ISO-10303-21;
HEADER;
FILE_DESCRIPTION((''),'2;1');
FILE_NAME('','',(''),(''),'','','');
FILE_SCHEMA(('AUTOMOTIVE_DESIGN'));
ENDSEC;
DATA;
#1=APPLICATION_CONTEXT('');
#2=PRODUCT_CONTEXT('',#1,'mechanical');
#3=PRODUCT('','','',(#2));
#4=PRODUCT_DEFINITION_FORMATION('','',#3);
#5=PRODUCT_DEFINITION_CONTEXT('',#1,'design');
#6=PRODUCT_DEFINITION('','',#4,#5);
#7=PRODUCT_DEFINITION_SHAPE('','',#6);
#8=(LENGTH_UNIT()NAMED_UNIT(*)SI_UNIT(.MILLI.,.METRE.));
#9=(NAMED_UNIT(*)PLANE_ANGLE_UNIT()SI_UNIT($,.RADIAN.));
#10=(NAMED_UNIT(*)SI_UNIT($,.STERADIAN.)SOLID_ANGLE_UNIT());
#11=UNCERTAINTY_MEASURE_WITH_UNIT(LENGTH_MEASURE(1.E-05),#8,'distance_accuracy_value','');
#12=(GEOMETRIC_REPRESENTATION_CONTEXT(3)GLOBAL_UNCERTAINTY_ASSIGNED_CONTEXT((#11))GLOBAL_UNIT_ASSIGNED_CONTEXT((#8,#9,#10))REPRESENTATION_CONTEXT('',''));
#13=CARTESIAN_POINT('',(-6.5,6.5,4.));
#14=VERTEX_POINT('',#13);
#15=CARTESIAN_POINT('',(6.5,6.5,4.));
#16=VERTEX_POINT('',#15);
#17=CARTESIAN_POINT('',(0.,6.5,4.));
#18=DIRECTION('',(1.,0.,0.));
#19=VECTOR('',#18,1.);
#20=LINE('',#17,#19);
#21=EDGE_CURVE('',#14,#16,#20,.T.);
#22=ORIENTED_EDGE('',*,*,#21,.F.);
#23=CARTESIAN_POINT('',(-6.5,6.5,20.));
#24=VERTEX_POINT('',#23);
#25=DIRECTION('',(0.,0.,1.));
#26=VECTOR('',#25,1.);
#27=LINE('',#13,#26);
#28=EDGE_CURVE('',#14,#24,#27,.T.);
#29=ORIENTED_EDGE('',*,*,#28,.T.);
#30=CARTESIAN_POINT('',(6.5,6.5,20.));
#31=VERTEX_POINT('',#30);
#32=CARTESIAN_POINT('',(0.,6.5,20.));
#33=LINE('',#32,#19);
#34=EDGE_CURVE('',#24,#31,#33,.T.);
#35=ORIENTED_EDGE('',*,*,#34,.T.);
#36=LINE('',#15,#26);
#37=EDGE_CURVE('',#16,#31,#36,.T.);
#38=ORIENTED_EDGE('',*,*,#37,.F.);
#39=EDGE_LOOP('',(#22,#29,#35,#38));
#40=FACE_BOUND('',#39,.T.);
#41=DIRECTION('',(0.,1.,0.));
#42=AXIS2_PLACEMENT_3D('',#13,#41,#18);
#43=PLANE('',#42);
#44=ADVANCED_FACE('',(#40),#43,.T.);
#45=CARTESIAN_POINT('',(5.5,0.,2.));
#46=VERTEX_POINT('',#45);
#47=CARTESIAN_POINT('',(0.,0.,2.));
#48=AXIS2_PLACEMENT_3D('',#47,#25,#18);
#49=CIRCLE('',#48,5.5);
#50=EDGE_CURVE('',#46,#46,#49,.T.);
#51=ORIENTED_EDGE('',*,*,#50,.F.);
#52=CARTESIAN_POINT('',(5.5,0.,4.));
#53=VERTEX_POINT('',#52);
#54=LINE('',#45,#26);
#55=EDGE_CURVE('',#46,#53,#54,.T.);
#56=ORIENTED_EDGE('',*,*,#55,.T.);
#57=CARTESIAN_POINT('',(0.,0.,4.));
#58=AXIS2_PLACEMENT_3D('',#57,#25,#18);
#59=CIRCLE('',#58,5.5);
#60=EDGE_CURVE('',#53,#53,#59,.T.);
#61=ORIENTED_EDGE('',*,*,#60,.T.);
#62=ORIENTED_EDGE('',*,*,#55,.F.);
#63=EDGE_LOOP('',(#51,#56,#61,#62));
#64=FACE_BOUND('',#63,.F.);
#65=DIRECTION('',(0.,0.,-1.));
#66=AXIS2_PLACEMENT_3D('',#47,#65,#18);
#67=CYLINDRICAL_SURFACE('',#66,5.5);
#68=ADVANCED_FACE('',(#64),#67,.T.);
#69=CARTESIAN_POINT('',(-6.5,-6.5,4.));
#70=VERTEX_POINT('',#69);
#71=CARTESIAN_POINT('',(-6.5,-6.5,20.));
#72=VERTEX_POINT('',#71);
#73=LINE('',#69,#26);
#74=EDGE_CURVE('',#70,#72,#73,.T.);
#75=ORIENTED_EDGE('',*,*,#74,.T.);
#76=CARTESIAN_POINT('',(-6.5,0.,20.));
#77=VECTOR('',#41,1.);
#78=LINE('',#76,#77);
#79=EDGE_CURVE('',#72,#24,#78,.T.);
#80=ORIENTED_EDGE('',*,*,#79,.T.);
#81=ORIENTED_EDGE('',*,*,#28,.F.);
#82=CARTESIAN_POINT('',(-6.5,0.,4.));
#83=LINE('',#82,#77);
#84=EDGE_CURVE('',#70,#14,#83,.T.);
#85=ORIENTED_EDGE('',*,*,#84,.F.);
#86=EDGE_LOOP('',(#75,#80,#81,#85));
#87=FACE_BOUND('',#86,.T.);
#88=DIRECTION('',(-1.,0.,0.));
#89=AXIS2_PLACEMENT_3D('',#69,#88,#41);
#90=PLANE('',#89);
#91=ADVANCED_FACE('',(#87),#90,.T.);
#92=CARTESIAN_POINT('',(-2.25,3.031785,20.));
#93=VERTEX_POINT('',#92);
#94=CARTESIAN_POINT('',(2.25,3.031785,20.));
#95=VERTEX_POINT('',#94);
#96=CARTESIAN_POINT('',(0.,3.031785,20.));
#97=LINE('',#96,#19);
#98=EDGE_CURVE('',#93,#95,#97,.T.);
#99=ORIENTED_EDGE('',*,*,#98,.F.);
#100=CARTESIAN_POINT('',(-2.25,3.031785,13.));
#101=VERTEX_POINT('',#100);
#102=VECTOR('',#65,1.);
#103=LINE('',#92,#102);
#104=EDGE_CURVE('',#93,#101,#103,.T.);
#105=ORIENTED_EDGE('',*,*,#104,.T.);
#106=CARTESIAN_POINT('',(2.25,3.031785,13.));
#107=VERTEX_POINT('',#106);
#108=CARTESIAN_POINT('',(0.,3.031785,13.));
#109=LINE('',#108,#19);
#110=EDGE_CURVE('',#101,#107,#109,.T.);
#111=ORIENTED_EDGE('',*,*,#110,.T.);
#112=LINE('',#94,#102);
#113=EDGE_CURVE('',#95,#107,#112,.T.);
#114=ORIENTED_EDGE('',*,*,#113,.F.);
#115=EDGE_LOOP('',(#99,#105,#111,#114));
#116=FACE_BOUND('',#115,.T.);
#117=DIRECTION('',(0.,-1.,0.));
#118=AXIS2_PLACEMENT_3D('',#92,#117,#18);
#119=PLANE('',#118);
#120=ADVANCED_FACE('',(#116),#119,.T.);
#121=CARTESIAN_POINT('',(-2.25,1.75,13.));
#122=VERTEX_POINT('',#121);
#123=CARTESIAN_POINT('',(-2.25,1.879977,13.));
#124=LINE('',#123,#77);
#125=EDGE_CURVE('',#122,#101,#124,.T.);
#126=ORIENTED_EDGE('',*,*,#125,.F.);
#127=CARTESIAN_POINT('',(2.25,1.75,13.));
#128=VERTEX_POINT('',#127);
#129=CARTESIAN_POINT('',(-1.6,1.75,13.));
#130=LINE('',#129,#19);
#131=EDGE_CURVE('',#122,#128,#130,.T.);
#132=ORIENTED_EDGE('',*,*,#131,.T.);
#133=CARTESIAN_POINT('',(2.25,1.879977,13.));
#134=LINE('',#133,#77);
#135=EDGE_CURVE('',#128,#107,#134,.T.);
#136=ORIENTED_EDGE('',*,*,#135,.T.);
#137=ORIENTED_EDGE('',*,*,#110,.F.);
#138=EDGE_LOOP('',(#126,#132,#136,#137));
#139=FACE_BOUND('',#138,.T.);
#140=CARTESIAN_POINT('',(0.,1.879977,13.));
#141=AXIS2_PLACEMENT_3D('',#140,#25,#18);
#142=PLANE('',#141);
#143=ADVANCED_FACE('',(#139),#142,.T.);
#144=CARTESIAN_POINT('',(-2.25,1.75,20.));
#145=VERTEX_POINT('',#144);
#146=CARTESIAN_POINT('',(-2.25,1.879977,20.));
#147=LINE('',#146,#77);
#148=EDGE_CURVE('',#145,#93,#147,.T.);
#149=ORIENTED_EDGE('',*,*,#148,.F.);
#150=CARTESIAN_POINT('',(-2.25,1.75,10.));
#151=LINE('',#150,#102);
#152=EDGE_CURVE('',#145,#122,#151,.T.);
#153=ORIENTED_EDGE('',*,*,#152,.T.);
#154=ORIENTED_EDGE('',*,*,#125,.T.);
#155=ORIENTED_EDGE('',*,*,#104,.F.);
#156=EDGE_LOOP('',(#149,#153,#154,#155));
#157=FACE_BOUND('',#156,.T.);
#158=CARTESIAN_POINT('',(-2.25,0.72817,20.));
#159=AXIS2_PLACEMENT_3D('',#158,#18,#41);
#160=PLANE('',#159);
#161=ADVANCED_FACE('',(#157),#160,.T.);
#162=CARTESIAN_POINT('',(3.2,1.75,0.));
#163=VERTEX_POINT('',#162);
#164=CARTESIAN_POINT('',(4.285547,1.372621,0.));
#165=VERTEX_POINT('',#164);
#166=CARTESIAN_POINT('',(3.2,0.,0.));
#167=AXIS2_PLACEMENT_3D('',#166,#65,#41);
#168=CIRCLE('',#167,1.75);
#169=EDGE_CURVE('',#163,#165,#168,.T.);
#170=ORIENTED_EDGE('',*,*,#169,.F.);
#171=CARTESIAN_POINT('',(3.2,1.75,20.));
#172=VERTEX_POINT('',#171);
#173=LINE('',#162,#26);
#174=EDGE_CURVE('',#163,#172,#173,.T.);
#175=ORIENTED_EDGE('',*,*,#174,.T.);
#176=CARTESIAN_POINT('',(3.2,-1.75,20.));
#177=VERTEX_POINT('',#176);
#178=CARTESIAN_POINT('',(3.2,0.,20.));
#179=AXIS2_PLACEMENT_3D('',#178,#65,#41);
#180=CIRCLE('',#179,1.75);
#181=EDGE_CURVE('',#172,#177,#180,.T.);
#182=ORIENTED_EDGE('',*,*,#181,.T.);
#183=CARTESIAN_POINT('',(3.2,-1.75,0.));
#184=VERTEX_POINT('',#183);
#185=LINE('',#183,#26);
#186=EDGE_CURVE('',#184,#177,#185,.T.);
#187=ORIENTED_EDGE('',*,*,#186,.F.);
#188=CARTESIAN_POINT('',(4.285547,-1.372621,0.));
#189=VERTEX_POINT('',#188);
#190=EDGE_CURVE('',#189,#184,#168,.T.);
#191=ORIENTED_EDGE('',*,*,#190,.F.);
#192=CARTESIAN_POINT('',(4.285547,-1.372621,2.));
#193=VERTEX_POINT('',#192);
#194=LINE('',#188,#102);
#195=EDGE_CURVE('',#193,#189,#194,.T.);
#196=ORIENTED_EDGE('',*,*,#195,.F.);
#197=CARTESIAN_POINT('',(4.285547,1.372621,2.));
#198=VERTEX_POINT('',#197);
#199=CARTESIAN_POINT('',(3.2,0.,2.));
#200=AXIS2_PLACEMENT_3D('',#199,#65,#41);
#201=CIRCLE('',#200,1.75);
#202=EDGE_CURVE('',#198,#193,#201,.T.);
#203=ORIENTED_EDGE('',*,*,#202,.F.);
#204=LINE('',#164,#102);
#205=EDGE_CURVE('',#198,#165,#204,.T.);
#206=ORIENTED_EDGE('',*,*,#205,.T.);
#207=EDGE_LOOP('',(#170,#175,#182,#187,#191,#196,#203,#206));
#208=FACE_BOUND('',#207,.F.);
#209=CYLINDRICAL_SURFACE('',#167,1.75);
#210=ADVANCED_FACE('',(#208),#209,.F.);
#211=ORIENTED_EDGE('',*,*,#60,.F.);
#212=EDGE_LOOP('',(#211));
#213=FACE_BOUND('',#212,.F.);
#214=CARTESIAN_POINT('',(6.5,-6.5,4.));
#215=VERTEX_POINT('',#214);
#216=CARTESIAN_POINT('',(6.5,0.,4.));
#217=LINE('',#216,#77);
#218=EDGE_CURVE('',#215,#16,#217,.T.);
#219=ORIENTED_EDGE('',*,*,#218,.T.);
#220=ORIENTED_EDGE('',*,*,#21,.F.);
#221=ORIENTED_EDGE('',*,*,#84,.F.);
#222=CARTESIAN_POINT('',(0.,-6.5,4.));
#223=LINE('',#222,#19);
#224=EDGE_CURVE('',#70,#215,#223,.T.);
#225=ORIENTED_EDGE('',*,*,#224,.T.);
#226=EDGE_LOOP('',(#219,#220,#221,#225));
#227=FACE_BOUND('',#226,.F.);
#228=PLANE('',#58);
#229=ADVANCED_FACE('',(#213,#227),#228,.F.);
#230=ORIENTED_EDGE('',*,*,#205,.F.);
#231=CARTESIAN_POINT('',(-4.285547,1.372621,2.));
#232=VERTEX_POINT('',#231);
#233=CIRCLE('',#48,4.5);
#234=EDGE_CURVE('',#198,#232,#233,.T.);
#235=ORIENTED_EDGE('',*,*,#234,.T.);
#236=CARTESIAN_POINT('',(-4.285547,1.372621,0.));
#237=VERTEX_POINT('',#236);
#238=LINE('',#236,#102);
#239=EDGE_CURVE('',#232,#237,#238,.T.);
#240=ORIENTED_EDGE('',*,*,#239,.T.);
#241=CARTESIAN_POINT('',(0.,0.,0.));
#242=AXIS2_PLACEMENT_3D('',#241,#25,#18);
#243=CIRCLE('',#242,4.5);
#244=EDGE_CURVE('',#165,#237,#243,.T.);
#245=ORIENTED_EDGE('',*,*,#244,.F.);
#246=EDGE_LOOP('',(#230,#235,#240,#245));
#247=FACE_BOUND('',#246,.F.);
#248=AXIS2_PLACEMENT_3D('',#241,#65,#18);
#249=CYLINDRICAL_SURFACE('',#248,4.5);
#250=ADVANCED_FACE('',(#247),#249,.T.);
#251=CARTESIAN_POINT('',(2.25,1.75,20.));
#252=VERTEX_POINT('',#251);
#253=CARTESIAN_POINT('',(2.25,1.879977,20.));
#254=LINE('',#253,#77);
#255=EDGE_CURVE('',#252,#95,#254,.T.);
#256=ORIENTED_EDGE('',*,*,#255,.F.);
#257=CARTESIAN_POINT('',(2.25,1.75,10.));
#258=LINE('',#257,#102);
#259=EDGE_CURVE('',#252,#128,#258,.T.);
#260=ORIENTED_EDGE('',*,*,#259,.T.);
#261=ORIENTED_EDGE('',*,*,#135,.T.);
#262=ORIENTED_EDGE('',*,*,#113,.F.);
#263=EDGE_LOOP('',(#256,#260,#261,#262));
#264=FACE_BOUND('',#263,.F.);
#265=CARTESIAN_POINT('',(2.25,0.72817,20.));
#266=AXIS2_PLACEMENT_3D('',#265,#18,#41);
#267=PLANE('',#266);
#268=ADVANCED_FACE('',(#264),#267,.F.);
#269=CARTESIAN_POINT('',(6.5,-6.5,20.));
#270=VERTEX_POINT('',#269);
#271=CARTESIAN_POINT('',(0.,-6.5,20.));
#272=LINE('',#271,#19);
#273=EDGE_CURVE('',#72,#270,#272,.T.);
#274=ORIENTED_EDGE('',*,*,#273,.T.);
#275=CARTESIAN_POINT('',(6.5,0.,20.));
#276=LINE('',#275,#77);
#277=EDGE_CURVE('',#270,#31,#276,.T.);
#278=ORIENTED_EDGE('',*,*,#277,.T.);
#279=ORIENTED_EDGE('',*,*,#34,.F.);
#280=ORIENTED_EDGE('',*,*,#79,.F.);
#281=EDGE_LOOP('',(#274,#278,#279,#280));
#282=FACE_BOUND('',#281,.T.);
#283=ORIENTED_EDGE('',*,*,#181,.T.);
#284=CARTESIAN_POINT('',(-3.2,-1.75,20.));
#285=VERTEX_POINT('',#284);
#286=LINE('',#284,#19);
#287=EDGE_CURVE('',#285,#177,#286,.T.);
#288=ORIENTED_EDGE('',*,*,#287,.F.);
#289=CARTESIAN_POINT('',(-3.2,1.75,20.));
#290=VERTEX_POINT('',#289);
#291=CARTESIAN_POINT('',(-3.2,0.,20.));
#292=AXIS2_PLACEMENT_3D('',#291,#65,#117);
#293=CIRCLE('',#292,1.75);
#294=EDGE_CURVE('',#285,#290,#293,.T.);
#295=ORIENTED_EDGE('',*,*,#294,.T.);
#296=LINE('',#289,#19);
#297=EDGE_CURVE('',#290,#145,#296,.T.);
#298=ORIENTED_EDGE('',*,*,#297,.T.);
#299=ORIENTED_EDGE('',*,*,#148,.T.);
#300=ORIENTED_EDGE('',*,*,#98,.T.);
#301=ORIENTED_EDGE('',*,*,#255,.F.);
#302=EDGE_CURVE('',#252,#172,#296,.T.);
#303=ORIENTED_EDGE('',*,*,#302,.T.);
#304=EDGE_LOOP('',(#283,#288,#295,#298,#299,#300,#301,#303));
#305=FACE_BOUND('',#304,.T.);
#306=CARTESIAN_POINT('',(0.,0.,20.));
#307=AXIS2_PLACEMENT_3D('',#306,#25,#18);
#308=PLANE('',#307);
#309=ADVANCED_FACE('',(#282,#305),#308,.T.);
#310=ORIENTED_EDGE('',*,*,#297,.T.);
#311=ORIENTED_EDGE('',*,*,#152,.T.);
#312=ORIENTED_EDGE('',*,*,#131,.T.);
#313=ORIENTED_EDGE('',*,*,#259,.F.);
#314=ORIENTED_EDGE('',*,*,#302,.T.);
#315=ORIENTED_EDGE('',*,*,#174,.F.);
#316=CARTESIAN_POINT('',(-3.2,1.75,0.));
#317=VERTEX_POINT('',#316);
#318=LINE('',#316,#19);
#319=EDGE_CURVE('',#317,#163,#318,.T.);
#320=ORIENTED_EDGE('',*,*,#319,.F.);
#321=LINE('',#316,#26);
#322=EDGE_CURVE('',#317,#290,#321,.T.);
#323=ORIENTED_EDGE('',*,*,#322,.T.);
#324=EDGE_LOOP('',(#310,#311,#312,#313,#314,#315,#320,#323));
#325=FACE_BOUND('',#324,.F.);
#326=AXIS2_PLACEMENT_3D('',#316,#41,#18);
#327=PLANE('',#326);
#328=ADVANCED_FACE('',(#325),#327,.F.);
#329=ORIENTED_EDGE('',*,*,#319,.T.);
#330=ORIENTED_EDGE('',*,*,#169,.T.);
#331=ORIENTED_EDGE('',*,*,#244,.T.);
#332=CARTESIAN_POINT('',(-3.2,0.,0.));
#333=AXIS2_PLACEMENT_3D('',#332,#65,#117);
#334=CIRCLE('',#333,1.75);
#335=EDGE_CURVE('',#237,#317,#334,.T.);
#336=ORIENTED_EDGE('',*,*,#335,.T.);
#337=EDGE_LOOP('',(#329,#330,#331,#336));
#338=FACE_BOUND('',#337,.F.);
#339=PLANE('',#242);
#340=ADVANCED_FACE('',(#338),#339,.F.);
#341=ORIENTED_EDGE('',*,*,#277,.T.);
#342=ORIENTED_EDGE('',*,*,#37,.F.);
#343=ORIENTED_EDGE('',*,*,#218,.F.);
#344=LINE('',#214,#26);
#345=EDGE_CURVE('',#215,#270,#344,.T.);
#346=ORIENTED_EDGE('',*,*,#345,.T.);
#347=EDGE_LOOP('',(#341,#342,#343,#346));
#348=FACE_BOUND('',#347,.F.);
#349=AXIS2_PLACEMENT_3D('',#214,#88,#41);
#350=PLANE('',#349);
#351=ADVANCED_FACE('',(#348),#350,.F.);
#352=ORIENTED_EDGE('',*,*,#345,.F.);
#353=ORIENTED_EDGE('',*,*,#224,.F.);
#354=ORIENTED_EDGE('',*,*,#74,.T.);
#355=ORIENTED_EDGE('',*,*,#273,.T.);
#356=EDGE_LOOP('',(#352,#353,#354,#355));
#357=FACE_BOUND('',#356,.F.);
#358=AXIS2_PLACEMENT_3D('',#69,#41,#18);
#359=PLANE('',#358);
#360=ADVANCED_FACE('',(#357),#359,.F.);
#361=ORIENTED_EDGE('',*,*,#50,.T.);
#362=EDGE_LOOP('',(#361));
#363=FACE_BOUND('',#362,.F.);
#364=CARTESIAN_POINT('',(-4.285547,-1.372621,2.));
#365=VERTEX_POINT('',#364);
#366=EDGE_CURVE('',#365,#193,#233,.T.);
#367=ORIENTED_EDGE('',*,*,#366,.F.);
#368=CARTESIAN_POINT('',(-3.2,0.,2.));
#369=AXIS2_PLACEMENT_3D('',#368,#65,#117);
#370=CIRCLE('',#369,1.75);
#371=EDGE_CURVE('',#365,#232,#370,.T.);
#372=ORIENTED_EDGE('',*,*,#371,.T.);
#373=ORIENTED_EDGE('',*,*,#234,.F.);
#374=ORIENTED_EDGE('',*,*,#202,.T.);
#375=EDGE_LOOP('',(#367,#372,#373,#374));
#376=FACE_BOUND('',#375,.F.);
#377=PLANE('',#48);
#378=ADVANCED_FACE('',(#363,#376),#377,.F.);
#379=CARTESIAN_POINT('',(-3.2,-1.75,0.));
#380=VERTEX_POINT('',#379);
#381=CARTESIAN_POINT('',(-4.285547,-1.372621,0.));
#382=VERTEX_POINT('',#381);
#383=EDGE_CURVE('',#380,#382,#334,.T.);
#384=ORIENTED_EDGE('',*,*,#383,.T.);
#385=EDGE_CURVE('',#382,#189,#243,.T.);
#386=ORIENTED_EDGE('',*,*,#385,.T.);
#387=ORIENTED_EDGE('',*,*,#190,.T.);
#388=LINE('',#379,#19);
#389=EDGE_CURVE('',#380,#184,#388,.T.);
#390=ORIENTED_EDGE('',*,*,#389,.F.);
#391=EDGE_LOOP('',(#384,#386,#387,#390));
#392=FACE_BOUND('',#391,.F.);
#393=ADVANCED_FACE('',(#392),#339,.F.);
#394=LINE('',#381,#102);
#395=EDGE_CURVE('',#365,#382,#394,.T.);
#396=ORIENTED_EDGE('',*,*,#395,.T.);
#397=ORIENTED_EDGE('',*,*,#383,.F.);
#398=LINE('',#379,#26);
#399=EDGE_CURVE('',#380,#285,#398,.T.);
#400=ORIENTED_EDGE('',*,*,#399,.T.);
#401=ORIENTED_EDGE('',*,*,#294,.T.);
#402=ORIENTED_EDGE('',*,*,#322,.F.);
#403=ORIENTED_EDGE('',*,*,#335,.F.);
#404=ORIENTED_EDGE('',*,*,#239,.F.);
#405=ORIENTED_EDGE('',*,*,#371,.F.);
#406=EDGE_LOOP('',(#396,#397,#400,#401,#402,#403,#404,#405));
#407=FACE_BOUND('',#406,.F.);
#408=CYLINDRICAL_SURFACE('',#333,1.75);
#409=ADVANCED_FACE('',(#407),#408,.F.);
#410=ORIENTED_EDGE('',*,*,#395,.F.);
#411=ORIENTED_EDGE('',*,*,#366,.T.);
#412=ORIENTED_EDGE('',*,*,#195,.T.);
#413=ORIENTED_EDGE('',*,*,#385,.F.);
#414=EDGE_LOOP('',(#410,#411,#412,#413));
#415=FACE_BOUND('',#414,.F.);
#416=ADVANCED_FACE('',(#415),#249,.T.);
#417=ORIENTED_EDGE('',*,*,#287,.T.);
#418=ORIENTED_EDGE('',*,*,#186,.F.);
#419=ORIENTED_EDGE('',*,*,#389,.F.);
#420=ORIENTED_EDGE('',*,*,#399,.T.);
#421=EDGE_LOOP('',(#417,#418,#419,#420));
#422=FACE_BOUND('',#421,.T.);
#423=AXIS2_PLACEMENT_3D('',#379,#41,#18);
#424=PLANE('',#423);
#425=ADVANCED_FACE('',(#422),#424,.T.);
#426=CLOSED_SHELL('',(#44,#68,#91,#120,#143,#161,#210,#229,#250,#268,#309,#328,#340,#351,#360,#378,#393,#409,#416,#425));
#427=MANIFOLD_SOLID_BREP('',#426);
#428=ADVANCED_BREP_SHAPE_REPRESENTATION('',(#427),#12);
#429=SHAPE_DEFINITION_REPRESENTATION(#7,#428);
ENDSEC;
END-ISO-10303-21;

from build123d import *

# Parameters (mm, degrees)
SKETCH_R        = 4.5
PAD_DEPTH       = 2
SKETCH001_R     = 5.5
PAD001_DEPTH    = 2
SKETCH003_W     = 13
SKETCH003_H     = 13
PAD002_DEPTH    = 16
POCKET_DEPTH    = 20
SKETCH005_W     = 4.5
SKETCH005_H     = 2.303615
POCKET001_DEPTH = 7


with BuildPart() as part:
    # Sketch → Pad (new body)
    with BuildSketch(Plane.XY):
        Circle(SKETCH_R)
    extrude(amount=PAD_DEPTH)

    # Sketch001 (on Face3 of Pad) → Pad001 (join)
    with BuildSketch(Plane.XY.offset(2)):
        Circle(SKETCH001_R)
    extrude(amount=PAD001_DEPTH)

    # Sketch003 (on Face3 of Pad001) → Pad002 (join)
    with BuildSketch(Plane.XY.offset(4)):
        Rectangle(SKETCH003_W, SKETCH003_H)
    extrude(amount=PAD002_DEPTH)

    # Sketch004 (on Face10 of Pad002) → Pocket (cut)
    with BuildSketch(Plane(origin=(0, 0, 0), x_dir=(1, 0, 0), z_dir=(0, 0, -1))):
        with BuildLine():
            ThreePointArc((-3.2, 1.75), (-4.95, 0), (-3.2, -1.75))
            Line((-3.2, -1.75), (3.2, -1.75))
            ThreePointArc((3.2, -1.75), (4.95, 0), (3.2, 1.75))
            Line((-3.2, 1.75), (3.2, 1.75))
        make_face()
    extrude(amount=-POCKET_DEPTH, mode=Mode.SUBTRACT)

    # Sketch005 (on Face5 of Pocket) → Pocket001 (cut)
    with BuildSketch(Plane.XY.offset(20)):
        with Locations((0, 1.879977)):
            Rectangle(SKETCH005_W, SKETCH005_H)
    extrude(amount=-POCKET001_DEPTH, mode=Mode.SUBTRACT)


solid = part.part
